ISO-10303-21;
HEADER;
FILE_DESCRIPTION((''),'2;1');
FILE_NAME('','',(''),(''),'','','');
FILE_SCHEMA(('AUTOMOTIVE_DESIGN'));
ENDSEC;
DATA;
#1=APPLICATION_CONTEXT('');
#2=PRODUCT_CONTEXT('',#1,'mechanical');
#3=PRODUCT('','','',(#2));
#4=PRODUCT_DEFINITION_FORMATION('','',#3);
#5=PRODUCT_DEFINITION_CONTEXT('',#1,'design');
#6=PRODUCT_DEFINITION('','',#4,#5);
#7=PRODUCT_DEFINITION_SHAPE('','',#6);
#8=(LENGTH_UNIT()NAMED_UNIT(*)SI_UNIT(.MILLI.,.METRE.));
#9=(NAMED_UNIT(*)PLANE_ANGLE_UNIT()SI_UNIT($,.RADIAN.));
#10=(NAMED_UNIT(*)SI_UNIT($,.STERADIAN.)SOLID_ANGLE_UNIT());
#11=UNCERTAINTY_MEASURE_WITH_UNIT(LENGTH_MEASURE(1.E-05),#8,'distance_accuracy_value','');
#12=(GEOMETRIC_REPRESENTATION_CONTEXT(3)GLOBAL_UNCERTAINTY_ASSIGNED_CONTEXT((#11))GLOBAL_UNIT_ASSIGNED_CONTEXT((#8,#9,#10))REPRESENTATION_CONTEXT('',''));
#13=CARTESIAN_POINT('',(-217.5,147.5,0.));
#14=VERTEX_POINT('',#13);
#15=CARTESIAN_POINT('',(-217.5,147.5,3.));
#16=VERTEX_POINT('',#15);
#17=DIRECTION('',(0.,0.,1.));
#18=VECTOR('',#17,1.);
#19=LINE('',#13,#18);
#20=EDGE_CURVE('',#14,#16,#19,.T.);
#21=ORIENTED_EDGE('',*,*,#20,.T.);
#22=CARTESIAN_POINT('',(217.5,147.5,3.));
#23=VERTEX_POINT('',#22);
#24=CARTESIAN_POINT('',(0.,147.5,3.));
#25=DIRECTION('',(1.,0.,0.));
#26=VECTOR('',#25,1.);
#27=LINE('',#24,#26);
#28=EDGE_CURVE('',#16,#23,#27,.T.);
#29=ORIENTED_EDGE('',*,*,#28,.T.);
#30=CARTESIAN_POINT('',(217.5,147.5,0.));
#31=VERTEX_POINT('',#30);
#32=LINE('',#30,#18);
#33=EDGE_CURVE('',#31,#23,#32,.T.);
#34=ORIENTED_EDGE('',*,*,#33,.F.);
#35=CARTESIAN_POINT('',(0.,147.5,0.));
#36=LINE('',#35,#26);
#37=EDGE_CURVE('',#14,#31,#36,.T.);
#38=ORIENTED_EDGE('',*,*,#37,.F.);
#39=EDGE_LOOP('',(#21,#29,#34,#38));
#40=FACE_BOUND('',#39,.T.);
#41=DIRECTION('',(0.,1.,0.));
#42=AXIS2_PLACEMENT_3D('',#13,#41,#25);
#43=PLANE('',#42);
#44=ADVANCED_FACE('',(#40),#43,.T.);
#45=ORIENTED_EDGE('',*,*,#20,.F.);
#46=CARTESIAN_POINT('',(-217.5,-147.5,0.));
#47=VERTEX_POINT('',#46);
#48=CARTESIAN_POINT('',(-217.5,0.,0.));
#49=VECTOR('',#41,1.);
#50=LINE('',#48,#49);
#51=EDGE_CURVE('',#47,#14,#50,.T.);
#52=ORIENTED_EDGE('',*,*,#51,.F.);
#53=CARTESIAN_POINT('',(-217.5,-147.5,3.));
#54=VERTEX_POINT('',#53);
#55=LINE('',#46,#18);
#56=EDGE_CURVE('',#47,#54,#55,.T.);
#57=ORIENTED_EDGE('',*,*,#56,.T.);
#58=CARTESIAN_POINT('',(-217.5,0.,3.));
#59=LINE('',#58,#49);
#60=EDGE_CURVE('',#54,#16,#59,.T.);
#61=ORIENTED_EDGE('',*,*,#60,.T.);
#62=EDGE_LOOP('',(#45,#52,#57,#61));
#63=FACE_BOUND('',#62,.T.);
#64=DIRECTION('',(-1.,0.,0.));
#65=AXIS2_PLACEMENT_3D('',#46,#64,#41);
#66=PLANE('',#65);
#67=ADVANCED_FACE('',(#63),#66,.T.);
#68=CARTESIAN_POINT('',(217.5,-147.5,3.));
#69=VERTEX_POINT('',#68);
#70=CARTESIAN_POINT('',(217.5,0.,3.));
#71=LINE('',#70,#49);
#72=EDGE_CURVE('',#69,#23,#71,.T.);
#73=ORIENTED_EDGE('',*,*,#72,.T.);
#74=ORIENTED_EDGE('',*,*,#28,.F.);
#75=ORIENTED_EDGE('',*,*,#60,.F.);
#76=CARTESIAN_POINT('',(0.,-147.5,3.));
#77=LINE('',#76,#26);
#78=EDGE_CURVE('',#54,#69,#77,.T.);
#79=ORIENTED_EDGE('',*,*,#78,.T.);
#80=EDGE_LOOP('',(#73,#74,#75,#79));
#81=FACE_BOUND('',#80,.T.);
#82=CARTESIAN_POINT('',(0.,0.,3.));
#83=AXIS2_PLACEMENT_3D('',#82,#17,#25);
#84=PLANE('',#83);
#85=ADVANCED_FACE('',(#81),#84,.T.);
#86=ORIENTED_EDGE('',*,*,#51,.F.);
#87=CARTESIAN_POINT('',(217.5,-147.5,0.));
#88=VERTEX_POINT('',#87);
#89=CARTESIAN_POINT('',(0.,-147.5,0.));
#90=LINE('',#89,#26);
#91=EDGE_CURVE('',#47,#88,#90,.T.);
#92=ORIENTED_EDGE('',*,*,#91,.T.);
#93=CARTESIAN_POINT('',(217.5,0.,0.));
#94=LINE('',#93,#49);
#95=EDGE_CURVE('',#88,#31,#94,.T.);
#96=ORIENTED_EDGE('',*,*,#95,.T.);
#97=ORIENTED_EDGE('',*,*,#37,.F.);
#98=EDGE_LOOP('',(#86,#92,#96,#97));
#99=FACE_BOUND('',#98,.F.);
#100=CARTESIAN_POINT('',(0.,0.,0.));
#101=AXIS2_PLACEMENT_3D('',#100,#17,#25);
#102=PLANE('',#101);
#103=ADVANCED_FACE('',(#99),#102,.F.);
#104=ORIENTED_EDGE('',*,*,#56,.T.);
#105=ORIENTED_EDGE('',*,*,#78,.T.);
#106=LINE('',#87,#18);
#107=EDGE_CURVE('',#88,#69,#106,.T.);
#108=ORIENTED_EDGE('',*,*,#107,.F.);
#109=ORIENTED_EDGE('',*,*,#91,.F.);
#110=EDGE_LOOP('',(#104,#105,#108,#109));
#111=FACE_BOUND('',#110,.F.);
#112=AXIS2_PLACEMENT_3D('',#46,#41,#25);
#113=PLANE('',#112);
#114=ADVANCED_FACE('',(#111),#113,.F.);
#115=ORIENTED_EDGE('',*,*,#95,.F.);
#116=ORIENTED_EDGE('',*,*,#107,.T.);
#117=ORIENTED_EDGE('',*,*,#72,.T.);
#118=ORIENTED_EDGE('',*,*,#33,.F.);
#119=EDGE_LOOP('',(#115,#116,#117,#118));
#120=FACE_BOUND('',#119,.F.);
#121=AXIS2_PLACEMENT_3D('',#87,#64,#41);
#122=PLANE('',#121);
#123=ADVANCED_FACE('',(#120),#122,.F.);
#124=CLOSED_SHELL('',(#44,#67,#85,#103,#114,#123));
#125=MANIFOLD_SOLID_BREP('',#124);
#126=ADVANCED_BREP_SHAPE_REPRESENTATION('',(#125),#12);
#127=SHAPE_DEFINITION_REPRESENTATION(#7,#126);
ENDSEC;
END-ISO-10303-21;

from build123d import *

# Parameters (mm, degrees)
SKETCH_W  = 435
SKETCH_H  = 295
PAD_DEPTH = 3


with BuildPart() as part:
    # Sketch → Pad (new body)
    with BuildSketch(Plane.XY):
        Rectangle(SKETCH_W, SKETCH_H)
    extrude(amount=PAD_DEPTH)


solid = part.part
